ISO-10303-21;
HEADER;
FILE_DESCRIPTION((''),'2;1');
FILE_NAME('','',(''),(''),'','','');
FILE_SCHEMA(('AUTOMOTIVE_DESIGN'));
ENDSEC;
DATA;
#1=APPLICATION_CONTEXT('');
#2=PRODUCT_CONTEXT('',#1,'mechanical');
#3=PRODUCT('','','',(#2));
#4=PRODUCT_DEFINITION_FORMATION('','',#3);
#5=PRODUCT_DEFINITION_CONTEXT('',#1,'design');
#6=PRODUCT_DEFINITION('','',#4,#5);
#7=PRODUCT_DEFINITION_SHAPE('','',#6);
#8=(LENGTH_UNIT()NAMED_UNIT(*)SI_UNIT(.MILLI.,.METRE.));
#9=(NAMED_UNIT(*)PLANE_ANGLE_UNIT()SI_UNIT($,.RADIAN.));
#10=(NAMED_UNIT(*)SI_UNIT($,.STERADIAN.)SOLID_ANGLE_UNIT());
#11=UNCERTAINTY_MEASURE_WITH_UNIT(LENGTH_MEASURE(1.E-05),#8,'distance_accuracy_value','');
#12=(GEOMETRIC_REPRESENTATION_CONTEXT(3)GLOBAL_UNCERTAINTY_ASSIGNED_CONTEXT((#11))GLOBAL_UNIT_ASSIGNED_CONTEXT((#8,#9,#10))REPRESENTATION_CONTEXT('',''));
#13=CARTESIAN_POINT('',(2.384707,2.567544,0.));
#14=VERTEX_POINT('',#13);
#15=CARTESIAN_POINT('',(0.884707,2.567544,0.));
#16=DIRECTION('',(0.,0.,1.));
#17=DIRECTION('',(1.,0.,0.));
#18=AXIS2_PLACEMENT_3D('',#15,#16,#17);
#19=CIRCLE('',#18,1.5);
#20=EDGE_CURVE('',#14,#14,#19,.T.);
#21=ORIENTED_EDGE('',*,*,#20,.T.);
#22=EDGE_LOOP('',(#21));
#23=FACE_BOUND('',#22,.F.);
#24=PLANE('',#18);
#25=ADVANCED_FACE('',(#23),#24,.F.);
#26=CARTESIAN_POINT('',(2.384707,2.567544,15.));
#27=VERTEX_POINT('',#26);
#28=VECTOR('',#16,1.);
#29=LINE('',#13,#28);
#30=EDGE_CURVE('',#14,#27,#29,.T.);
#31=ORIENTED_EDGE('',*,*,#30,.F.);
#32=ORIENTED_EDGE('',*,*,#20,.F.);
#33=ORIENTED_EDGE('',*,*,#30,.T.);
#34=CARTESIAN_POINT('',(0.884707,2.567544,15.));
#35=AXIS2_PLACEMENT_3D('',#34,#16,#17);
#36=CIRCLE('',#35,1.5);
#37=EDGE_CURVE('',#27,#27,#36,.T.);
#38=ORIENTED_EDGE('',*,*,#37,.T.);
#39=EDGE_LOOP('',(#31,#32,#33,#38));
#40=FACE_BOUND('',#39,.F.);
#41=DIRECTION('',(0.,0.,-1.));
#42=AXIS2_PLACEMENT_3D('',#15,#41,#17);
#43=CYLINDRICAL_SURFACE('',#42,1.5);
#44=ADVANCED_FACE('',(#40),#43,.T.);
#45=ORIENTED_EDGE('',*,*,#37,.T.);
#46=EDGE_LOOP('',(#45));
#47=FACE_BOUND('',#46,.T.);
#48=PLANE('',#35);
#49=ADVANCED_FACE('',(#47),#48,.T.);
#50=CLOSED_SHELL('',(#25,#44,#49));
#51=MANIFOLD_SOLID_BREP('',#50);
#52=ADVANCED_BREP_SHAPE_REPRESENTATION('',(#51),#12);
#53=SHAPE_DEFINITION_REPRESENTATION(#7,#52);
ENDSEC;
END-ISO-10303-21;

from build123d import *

# Parameters (mm, degrees)
SKETCH1_R           = 1.5
BOSS_EXTRUDE1_DEPTH = 15


with BuildPart() as part:
    # Sketch1 → Boss-Extrude1 (new body)
    with BuildSketch(Plane.XY):
        with Locations((0.884706706, 2.567544382)):
            Circle(SKETCH1_R)
    extrude(amount=BOSS_EXTRUDE1_DEPTH)


solid = part.part
